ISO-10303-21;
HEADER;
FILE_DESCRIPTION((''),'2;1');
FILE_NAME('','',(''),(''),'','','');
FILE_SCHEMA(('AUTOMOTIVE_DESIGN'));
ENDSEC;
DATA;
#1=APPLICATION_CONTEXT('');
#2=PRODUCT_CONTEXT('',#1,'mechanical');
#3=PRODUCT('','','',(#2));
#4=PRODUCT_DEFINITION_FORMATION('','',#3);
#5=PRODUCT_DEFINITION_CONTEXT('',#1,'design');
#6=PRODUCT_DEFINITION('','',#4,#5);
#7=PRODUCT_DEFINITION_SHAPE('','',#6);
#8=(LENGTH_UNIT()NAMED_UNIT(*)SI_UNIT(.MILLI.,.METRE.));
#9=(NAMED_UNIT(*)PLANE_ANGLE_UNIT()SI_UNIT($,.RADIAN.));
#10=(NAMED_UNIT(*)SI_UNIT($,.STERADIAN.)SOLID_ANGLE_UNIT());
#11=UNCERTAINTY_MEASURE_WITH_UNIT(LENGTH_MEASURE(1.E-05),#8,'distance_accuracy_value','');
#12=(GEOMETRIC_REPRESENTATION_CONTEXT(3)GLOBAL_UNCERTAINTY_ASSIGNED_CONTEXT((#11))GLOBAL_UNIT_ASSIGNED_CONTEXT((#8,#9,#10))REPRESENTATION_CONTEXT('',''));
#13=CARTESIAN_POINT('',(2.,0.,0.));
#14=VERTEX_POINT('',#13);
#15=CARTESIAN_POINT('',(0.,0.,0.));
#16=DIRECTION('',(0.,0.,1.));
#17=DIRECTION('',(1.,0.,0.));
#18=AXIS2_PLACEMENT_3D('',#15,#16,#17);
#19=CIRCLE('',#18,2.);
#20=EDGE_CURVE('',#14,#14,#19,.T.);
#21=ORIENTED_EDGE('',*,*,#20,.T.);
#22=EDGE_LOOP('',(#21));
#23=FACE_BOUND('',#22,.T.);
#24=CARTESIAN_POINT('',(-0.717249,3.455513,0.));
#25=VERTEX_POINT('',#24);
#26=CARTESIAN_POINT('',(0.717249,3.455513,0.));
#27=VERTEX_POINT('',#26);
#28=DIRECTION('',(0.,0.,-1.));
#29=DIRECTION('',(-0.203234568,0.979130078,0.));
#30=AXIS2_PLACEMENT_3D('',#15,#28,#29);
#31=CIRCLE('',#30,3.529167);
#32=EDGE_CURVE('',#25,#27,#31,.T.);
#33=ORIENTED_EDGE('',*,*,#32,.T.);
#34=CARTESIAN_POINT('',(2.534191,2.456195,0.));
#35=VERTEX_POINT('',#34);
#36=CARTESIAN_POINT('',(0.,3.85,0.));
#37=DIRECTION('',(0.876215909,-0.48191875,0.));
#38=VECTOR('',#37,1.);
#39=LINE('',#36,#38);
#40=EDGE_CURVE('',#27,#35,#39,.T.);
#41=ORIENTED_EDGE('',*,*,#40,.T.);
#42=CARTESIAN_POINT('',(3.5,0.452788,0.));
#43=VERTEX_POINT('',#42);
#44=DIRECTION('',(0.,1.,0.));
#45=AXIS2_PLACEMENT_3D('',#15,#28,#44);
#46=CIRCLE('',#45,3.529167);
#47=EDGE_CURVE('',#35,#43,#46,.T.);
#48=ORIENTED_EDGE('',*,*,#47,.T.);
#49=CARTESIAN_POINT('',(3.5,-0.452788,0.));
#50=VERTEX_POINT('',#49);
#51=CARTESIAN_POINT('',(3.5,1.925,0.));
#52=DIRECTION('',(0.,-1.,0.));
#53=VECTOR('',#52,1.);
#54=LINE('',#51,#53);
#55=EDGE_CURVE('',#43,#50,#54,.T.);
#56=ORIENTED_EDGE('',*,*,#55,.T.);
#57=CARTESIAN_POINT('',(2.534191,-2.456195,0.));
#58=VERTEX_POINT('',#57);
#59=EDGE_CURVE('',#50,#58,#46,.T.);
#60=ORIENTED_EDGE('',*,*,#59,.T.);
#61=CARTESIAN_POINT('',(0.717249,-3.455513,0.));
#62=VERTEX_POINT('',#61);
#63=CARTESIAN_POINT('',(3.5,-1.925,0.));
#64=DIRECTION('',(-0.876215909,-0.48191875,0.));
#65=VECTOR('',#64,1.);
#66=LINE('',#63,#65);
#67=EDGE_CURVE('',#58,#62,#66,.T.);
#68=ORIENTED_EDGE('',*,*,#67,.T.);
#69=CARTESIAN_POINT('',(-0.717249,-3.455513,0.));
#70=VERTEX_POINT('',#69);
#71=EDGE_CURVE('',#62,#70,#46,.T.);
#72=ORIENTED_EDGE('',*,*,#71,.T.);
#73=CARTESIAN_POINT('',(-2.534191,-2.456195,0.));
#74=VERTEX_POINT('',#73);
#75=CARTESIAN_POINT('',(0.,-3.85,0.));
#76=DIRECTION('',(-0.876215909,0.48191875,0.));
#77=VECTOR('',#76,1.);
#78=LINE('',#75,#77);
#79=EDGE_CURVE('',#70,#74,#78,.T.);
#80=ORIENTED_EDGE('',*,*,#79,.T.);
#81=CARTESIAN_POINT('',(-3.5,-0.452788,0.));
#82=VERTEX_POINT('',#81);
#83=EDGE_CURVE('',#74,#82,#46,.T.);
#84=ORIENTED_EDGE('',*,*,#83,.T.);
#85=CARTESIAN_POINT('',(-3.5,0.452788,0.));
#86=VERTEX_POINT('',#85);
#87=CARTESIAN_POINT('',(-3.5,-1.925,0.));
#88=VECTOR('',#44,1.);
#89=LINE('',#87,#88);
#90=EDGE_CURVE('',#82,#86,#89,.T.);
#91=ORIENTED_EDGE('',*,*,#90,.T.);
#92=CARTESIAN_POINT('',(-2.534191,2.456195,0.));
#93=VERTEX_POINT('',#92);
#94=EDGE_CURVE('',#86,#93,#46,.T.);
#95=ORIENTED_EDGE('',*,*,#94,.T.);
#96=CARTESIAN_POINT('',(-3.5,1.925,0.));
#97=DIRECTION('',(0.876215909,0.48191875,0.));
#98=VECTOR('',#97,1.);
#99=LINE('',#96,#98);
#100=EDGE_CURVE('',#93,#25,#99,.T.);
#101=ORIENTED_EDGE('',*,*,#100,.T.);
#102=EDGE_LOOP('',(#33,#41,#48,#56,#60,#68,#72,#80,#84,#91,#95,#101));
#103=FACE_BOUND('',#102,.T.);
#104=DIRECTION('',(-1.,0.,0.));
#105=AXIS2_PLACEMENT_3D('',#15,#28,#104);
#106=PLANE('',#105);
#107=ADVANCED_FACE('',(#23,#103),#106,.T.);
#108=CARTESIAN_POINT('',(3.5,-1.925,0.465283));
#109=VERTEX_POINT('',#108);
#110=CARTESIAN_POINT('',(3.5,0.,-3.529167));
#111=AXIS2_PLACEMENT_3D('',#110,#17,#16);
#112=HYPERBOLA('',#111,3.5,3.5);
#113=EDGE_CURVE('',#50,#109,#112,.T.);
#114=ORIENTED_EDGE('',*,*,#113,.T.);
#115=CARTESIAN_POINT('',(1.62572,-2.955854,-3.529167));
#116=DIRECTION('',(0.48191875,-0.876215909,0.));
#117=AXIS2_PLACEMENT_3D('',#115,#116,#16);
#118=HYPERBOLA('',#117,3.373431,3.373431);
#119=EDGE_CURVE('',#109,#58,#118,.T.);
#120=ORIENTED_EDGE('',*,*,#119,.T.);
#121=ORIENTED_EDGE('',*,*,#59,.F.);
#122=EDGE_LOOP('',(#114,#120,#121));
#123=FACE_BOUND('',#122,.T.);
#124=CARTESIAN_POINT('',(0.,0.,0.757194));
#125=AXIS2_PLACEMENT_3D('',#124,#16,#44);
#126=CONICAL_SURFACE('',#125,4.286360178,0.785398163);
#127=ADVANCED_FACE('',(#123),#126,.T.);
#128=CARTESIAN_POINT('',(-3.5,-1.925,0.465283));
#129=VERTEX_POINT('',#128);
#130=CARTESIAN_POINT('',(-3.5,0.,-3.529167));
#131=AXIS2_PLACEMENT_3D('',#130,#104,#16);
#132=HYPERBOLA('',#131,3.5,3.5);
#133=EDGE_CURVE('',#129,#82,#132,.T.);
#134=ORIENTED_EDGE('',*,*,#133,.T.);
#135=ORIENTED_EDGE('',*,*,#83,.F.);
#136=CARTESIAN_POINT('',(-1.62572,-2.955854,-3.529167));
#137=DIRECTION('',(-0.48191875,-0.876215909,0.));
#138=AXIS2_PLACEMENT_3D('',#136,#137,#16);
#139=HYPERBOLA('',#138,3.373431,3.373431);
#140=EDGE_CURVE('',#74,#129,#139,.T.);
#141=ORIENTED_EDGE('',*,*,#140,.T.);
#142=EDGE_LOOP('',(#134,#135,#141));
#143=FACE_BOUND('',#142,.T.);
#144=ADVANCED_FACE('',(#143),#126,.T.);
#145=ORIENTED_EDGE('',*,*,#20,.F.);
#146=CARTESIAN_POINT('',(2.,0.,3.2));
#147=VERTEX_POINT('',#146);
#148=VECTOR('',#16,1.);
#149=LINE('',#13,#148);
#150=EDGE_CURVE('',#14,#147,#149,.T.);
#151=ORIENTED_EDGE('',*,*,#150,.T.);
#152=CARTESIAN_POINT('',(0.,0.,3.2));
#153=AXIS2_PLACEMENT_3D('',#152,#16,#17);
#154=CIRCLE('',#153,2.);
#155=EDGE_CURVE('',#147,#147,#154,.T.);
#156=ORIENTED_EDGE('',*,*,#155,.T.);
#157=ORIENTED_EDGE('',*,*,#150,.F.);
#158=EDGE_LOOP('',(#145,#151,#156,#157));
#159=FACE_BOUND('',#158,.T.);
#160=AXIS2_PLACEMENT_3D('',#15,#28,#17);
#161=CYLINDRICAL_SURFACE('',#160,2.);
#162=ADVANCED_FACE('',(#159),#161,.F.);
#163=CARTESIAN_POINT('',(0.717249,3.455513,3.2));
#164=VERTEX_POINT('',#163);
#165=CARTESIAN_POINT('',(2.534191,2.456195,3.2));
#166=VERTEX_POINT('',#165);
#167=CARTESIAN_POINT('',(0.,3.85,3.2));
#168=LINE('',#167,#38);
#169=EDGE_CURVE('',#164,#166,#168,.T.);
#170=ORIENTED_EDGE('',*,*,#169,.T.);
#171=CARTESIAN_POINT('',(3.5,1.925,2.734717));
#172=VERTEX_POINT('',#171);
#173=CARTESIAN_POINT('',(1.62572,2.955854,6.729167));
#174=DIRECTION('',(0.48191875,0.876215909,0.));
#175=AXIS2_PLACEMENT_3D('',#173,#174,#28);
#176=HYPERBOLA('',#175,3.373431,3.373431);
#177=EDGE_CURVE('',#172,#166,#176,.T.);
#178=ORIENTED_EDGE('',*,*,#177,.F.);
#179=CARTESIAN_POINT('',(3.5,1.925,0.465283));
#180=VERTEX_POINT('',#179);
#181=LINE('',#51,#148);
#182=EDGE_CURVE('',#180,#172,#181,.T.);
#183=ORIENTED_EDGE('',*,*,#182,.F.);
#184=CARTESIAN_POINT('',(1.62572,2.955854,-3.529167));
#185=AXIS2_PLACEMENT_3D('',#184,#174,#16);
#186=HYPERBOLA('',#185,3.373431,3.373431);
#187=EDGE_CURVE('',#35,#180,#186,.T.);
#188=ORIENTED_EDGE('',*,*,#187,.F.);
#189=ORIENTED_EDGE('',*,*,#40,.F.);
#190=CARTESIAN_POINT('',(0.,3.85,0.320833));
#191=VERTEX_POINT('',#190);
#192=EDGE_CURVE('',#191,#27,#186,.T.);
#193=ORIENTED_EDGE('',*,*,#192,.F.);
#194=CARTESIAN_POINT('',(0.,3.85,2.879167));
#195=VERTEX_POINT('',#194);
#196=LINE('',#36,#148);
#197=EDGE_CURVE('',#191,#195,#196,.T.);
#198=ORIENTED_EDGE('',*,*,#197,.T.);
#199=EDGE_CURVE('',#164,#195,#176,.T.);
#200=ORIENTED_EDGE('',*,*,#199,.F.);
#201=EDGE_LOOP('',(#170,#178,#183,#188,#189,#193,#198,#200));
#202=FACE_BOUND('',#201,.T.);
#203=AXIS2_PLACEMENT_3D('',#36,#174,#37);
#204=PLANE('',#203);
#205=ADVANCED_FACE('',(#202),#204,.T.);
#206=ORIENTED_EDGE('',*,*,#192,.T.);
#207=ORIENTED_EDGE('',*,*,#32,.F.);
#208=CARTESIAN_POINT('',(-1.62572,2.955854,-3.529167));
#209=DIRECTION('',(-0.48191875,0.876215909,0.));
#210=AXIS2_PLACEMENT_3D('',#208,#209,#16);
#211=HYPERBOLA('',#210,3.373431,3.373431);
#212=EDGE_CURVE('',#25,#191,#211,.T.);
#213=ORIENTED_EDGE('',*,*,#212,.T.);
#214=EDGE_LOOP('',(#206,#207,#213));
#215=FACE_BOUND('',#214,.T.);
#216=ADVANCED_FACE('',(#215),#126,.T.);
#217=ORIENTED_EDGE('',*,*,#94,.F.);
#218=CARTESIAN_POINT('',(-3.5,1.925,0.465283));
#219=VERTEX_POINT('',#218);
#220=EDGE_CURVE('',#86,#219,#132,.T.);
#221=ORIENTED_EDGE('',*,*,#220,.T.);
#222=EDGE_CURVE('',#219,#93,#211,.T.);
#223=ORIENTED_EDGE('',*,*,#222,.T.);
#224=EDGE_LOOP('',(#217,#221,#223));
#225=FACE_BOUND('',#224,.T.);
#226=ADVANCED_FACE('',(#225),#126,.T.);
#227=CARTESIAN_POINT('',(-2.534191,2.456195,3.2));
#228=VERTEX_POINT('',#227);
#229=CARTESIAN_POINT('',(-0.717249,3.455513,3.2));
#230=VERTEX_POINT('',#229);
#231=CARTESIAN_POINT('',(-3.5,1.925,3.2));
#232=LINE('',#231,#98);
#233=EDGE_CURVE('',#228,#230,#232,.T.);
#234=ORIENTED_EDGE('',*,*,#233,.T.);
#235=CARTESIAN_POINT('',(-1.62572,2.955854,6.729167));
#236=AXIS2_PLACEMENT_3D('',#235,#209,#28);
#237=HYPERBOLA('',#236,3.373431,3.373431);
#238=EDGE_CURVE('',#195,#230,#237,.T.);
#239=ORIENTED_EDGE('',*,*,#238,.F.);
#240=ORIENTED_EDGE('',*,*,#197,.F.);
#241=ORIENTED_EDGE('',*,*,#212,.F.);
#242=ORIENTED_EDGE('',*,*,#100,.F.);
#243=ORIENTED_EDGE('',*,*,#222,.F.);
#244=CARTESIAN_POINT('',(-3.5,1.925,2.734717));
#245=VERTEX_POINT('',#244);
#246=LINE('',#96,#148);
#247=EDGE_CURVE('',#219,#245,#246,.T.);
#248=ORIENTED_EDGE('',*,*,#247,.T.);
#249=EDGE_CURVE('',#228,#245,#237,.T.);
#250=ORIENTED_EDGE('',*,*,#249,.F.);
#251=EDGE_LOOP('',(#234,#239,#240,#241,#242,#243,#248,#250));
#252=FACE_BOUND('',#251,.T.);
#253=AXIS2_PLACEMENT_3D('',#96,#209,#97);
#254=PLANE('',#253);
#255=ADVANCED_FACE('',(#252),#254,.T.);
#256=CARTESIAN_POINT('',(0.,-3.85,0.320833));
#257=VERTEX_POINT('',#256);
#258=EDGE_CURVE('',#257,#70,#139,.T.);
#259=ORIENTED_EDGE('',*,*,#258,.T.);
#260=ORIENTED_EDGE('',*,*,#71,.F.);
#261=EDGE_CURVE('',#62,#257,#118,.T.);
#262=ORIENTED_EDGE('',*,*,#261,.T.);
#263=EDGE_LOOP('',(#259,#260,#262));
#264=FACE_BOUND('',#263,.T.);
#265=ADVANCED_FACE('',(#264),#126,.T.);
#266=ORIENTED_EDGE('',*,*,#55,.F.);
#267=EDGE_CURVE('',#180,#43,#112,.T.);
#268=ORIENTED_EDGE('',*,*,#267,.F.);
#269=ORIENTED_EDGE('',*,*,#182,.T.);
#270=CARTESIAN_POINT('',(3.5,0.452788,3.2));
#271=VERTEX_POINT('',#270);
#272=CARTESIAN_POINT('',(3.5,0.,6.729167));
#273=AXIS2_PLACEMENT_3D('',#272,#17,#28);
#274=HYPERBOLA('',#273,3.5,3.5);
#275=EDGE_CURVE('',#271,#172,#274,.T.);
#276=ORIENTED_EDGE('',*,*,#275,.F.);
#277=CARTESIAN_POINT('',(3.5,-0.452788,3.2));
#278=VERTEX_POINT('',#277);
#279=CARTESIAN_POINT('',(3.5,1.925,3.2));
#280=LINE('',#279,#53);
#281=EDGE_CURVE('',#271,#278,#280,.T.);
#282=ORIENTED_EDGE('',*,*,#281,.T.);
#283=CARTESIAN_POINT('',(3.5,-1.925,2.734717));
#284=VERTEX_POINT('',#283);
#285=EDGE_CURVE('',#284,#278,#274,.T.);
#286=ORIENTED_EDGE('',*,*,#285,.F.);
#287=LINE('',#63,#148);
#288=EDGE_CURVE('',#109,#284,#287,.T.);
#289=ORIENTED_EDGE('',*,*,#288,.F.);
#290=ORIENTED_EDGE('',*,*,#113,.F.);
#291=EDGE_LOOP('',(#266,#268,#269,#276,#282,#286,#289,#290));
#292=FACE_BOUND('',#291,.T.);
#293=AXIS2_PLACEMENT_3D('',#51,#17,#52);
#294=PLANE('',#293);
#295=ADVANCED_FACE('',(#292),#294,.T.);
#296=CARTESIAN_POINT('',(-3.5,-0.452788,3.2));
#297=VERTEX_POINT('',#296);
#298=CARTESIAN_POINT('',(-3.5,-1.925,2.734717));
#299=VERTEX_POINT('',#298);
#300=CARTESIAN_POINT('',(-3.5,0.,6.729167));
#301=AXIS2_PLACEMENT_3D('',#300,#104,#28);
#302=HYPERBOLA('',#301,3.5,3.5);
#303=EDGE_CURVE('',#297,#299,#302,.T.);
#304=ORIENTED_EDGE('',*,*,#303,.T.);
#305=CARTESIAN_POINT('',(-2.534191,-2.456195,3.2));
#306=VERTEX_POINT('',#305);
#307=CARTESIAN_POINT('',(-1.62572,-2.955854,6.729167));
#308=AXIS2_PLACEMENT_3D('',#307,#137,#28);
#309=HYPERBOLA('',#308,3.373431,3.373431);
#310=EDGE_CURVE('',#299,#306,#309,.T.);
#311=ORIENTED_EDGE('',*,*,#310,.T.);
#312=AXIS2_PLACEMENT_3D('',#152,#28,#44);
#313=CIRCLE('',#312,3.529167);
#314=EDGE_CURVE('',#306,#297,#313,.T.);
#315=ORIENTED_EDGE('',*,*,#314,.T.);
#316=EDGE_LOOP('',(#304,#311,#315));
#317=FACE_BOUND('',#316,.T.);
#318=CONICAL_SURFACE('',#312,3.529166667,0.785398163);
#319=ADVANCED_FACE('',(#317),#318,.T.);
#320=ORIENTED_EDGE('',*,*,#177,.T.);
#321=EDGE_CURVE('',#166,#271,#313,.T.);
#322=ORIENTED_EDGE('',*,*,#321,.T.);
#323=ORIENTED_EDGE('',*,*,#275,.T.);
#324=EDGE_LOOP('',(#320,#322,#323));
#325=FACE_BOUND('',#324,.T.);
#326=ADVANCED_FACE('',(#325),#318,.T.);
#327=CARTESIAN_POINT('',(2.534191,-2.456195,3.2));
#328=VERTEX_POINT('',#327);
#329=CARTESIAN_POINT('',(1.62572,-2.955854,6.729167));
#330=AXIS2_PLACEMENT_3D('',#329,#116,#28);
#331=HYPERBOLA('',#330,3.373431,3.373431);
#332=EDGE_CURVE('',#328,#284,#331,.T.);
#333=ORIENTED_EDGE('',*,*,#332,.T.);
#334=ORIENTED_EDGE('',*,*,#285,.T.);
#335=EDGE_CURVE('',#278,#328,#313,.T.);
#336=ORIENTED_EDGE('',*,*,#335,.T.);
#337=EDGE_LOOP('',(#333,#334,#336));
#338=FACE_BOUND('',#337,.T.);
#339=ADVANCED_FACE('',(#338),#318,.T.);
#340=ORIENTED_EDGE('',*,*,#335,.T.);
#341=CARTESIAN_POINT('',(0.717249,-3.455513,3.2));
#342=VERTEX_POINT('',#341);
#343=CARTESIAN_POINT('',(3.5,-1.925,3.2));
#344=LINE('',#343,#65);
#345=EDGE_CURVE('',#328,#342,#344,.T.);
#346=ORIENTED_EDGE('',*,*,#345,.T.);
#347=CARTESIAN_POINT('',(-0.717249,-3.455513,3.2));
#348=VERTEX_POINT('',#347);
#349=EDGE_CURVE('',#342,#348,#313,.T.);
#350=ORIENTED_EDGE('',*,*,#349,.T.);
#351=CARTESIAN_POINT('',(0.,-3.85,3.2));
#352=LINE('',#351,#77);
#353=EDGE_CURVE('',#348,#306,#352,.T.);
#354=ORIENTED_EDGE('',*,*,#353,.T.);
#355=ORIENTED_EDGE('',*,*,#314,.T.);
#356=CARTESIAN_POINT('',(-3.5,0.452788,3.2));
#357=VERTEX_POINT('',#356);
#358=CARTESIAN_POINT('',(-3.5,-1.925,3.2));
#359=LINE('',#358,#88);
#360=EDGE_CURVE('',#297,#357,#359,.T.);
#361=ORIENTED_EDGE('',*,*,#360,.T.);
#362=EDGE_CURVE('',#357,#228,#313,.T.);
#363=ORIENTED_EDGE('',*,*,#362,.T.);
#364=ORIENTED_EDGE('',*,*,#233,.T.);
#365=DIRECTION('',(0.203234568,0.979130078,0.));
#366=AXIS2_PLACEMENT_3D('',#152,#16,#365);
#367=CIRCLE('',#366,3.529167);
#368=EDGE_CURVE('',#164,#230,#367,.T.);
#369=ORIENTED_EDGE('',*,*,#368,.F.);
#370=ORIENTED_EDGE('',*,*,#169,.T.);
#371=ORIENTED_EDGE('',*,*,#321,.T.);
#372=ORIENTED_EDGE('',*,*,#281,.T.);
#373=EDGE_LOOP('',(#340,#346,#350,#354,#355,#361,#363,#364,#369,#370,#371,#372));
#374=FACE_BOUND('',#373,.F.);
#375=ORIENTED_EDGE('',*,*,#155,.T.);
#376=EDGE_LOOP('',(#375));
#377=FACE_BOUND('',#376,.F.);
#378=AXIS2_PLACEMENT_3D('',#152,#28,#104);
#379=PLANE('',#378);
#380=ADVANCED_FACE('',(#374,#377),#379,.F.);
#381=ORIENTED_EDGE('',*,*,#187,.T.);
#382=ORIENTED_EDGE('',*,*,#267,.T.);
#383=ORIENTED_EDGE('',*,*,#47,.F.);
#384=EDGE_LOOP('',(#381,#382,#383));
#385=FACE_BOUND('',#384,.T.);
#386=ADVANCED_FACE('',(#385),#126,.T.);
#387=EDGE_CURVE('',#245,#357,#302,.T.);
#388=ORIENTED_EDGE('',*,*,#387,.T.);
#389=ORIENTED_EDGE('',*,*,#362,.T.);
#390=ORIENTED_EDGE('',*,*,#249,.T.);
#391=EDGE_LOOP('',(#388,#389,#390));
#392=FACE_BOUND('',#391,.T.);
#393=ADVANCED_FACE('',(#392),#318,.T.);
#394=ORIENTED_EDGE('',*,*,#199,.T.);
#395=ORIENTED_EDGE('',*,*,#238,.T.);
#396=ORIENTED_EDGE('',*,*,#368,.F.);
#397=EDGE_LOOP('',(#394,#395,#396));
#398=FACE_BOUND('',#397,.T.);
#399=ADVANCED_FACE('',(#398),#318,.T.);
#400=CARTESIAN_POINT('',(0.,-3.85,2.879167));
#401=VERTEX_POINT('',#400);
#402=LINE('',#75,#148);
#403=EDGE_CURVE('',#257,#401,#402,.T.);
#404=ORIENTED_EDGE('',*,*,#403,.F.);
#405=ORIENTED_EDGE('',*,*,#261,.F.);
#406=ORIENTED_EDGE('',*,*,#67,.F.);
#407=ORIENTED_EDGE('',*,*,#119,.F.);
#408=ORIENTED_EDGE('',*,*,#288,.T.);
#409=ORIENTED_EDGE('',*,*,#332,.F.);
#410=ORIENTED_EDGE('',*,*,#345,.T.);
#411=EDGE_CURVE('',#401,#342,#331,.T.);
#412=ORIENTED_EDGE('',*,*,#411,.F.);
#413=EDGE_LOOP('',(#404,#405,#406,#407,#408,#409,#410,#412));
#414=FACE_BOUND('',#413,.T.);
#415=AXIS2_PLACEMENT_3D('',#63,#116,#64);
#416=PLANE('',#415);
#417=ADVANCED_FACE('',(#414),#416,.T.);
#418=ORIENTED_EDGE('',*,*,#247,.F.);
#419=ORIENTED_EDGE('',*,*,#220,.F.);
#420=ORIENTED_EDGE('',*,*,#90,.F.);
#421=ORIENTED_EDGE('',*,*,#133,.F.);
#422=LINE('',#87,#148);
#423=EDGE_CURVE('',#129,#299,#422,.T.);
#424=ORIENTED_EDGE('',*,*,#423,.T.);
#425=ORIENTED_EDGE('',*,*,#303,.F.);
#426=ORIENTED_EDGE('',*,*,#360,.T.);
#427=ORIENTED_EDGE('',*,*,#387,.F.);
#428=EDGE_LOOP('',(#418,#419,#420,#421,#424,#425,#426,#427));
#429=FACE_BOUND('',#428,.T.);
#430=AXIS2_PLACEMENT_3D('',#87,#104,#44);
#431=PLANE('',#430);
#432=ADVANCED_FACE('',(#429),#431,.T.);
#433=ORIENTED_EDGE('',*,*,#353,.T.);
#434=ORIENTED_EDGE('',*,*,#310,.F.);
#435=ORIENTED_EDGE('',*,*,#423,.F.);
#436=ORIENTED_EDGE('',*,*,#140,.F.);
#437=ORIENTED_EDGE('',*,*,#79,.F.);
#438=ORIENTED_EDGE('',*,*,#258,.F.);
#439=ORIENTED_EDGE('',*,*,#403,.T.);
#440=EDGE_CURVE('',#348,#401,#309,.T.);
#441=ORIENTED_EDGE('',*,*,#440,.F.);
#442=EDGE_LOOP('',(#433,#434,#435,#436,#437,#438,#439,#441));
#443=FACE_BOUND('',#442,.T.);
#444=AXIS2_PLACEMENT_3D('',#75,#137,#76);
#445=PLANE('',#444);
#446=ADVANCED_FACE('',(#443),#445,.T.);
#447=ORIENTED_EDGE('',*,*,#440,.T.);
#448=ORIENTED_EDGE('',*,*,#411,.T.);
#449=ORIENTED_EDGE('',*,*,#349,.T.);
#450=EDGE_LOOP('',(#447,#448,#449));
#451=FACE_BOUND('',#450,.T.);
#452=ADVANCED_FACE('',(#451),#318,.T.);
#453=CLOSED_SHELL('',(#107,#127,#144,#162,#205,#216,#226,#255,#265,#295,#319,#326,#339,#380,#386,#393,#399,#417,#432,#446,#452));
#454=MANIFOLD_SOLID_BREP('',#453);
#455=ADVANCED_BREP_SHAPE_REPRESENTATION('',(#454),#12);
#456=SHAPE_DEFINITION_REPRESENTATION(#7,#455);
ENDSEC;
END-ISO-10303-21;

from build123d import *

# Parameters (mm, degrees)
SKETCH1_R = 2
NUT_DEPTH = 3.2


with BuildPart() as part:
    # Sketch1 → NUT (new body)
    with BuildSketch(Plane.XY):
        Polygon((-3.5, -1.925), (-3.5, 1.925), (0, 3.85), (3.5, 1.925), (3.5, -1.925), (0, -3.85), align=None)
        Circle(SKETCH1_R, mode=Mode.SUBTRACT)
    extrude(amount=NUT_DEPTH)

    # Sketch2 → Cut-Revolve1 (revolve, cut)
    with BuildSketch(Plane(origin=(0, 0, 0), x_dir=(0, 0, -1), z_dir=(1, 0, 0))):
        Polygon((-3.2, 3.529166667), (-2.442806488, 4.286360178), (-3.2, 4.286360178), (-3.2, 3.85), align=None)
        Polygon((0, 4.286360178), (-0.757193512, 4.286360178), (0, 3.529166667), (0, 3.85), align=None)
    revolve(axis=Axis((0, 0, 3.2), (0, 0, -1)), mode=Mode.SUBTRACT)


solid = part.part
